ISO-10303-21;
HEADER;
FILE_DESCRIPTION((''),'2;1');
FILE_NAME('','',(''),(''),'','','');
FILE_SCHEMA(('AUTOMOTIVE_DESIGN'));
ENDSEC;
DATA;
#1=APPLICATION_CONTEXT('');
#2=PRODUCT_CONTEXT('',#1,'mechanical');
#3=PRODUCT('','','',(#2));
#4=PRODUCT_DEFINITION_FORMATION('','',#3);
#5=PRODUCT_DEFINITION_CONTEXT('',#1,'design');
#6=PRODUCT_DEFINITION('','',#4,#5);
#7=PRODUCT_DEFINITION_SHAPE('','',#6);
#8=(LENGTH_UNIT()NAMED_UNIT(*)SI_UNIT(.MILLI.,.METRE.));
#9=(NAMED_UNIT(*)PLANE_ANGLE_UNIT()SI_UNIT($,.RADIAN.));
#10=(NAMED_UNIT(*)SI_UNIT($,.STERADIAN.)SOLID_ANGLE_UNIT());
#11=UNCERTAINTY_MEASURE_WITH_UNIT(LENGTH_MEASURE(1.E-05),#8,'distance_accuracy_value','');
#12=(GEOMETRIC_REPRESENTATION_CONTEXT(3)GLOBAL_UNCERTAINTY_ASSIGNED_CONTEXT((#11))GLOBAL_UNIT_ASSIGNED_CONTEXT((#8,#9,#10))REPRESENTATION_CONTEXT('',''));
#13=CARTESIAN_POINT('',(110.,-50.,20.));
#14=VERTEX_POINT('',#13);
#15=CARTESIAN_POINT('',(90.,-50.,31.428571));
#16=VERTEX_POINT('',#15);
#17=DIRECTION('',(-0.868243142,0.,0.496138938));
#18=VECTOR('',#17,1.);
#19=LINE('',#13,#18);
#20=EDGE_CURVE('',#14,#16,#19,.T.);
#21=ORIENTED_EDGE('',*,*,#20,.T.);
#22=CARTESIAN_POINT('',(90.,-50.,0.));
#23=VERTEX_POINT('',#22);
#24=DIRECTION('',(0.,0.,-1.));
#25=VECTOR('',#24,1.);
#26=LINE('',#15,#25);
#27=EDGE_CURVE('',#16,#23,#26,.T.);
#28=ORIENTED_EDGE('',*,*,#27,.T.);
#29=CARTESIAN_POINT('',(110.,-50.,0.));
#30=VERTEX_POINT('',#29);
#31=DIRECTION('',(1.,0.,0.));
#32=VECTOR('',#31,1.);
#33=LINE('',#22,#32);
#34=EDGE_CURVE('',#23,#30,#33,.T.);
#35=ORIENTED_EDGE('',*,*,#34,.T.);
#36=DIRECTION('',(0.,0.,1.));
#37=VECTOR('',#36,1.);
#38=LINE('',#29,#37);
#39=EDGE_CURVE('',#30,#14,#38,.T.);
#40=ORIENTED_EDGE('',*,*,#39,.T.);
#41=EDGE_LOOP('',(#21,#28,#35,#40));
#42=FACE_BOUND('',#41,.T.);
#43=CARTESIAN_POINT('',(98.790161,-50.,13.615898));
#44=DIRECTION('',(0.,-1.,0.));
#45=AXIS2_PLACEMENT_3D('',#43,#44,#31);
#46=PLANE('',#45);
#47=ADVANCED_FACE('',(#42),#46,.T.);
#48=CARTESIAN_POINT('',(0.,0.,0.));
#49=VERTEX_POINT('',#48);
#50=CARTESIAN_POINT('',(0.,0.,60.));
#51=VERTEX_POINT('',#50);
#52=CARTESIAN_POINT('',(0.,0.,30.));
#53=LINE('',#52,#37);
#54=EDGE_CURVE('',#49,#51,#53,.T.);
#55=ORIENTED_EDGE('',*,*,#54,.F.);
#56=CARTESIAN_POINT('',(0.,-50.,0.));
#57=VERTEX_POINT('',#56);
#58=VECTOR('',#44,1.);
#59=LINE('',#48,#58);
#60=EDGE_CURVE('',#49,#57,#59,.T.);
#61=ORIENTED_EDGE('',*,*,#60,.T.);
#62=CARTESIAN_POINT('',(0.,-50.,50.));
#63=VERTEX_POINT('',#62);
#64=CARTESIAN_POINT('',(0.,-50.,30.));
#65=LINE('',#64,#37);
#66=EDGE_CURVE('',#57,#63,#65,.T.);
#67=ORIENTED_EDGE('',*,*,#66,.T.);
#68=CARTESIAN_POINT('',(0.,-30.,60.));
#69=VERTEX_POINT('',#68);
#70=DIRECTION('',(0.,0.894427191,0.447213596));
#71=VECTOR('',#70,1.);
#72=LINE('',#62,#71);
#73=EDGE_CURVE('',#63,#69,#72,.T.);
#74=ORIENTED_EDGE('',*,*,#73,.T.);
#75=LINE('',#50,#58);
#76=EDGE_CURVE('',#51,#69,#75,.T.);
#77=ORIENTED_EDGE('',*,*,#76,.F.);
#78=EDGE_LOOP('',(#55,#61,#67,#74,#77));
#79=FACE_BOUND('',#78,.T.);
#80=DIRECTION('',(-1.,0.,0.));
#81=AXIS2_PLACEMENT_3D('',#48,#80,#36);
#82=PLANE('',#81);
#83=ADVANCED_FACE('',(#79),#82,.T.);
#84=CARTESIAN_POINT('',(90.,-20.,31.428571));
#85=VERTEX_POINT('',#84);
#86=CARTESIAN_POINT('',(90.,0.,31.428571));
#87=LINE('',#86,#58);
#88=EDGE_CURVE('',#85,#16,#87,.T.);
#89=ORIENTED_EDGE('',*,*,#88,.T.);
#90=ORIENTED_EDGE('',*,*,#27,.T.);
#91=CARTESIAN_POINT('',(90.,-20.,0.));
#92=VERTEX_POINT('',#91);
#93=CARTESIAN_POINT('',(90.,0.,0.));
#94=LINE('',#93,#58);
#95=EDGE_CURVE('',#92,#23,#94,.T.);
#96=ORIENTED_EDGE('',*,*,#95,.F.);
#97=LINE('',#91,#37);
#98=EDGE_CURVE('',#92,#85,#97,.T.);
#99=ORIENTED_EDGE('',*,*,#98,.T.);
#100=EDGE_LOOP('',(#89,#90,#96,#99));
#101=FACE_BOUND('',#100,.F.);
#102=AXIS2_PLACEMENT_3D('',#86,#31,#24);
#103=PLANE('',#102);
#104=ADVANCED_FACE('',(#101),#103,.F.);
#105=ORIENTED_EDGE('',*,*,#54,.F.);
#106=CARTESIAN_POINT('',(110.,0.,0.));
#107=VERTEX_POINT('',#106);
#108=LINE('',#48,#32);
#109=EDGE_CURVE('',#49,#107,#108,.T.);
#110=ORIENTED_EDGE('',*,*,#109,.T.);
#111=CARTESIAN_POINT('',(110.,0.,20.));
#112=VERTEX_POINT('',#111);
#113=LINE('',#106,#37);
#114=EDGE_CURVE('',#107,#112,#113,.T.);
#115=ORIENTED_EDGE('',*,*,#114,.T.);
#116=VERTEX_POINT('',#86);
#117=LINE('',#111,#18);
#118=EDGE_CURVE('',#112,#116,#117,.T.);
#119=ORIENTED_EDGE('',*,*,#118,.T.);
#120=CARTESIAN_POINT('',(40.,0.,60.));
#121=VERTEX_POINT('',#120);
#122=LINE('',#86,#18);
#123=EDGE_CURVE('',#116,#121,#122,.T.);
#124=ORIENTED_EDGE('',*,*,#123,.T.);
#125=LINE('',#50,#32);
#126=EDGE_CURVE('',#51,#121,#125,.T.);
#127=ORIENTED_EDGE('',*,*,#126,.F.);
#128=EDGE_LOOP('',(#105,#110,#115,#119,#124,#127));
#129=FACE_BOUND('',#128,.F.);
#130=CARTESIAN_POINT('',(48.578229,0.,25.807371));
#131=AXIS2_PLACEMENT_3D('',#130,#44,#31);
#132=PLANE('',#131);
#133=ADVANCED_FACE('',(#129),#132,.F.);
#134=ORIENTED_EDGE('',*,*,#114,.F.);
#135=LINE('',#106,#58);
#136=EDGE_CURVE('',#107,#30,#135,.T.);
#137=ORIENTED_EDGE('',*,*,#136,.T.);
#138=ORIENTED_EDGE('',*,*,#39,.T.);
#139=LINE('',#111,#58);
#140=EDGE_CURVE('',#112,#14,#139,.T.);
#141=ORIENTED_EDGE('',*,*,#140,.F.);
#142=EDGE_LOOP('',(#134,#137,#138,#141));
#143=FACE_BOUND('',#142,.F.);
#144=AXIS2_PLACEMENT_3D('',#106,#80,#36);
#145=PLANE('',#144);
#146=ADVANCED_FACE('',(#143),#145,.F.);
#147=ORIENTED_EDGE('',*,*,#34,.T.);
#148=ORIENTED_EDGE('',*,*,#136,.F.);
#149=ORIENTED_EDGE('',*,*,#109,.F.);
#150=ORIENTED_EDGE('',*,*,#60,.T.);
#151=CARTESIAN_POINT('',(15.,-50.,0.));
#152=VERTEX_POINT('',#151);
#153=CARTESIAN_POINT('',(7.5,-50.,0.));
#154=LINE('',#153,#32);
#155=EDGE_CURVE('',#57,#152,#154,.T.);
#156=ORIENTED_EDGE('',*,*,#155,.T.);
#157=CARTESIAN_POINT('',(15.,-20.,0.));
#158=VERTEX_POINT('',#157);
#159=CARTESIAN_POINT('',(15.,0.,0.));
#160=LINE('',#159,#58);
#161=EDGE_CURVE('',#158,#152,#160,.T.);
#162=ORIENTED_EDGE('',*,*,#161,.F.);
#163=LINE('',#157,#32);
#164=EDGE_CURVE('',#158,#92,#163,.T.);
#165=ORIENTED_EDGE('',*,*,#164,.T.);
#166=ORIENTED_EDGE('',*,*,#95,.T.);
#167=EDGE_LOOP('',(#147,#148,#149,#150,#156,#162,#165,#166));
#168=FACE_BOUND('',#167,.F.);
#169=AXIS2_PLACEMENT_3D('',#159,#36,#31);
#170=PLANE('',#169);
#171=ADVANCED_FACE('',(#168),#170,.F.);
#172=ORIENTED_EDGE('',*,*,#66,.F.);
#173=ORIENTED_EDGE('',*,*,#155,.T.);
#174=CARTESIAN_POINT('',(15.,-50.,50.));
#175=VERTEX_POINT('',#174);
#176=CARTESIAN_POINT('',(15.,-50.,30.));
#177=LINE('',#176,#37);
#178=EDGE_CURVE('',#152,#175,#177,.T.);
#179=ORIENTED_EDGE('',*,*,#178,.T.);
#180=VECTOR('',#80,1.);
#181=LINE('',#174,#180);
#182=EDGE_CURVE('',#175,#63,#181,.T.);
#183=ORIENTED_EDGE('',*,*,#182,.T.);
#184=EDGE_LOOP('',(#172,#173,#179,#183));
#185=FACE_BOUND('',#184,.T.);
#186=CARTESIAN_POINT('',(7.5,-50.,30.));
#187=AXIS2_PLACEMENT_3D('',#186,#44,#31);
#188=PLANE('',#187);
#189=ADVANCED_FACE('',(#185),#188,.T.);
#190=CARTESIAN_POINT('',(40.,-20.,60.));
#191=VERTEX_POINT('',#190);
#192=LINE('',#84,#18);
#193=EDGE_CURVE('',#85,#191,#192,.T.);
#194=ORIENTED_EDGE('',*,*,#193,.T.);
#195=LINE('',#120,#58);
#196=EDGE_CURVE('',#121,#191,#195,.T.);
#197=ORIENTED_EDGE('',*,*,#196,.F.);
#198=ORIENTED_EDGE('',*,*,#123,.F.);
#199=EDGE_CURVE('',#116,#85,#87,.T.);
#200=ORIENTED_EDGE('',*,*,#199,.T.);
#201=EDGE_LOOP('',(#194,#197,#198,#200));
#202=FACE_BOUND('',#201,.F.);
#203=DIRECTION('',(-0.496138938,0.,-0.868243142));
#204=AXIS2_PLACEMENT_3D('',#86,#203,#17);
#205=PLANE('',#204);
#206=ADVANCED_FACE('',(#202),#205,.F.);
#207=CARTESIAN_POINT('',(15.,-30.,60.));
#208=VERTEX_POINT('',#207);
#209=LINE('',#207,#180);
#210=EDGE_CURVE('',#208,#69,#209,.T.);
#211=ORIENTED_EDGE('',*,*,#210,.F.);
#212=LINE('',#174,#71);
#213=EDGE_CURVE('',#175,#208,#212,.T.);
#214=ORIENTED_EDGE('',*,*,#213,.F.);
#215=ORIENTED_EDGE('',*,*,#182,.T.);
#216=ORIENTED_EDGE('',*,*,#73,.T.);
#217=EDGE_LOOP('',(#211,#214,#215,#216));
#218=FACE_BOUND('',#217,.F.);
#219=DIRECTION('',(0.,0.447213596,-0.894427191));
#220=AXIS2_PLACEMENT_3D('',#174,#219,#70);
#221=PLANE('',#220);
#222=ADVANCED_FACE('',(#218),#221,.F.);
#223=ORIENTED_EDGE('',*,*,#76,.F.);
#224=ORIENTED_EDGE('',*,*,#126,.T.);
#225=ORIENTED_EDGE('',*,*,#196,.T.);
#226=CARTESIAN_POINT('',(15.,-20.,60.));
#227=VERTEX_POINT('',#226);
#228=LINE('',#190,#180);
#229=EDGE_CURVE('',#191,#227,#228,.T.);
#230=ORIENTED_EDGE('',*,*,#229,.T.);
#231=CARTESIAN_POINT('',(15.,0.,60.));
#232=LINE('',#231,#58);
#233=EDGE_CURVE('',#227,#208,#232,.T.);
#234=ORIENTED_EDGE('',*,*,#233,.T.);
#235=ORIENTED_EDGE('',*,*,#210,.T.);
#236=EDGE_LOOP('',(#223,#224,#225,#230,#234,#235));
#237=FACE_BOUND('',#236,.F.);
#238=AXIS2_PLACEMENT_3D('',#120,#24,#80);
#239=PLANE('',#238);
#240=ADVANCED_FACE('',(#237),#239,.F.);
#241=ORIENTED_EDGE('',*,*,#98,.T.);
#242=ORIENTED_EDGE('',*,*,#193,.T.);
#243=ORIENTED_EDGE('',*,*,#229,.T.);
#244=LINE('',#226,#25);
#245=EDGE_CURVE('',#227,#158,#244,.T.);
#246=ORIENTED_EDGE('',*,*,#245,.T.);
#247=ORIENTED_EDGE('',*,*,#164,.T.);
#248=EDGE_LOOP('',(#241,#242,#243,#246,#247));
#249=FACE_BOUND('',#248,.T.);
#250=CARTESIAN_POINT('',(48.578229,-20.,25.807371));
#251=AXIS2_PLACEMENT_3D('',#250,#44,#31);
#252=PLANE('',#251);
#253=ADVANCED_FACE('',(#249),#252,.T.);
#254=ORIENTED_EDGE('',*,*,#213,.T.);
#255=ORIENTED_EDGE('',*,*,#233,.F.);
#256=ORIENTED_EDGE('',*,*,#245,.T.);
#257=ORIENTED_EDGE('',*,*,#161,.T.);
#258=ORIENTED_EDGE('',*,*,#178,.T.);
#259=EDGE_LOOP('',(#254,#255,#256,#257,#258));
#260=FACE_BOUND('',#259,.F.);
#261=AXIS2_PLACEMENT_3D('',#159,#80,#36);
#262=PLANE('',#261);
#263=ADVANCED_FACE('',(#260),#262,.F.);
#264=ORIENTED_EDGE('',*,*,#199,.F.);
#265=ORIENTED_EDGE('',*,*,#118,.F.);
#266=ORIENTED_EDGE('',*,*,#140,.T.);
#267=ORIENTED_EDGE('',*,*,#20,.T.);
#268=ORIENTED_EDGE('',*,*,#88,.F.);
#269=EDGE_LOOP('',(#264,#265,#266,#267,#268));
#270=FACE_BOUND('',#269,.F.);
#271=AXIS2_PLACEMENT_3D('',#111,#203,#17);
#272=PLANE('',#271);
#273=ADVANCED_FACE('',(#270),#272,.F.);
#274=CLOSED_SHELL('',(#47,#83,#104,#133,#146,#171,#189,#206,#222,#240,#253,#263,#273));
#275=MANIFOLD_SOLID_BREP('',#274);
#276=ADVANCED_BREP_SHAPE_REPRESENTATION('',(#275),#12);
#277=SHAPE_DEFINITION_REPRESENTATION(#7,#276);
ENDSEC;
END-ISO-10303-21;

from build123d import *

# Parameters (mm, degrees)
F0_W     = 15
F0_H     = 60
F1_DEPTH = 50
F2_DEPTH = 20
F4_DEPTH = 15


with BuildPart() as f1:
    # F0 (on Front) → F1 (new body)
    with BuildSketch(Plane.XZ):
        with Locations((7.5, 30)):
            Rectangle(F0_W, F0_H)
    extrude(amount=F1_DEPTH)



with BuildPart() as f1b:
    # F0 (on Front) → F1, piece 2 (new body)
    with BuildSketch(Plane.XZ):
        Polygon((90, 31.4285714286), (90, 0), (110, 0), (110, 20), align=None)
    extrude(amount=F1_DEPTH)


with BuildPart() as f1_1:
    add(f1.part)

    add(f1b.part)  # F2 merges F1b
    # F0 (on Front) → F2 (join)
    with BuildSketch(Plane.XZ):
        Polygon((15, 60), (15, 0), (90, 0), (90, 31.4285714286), (40, 60), align=None)
    extrude(amount=F2_DEPTH)

    # F3 (on face) → F4 (cut)
    with BuildSketch(Plane.YZ.offset(15)):
        Polygon((-50, 60), (-50, 50), (-30, 60), align=None)
    extrude(amount=-F4_DEPTH, mode=Mode.SUBTRACT)


solid = f1_1.part
